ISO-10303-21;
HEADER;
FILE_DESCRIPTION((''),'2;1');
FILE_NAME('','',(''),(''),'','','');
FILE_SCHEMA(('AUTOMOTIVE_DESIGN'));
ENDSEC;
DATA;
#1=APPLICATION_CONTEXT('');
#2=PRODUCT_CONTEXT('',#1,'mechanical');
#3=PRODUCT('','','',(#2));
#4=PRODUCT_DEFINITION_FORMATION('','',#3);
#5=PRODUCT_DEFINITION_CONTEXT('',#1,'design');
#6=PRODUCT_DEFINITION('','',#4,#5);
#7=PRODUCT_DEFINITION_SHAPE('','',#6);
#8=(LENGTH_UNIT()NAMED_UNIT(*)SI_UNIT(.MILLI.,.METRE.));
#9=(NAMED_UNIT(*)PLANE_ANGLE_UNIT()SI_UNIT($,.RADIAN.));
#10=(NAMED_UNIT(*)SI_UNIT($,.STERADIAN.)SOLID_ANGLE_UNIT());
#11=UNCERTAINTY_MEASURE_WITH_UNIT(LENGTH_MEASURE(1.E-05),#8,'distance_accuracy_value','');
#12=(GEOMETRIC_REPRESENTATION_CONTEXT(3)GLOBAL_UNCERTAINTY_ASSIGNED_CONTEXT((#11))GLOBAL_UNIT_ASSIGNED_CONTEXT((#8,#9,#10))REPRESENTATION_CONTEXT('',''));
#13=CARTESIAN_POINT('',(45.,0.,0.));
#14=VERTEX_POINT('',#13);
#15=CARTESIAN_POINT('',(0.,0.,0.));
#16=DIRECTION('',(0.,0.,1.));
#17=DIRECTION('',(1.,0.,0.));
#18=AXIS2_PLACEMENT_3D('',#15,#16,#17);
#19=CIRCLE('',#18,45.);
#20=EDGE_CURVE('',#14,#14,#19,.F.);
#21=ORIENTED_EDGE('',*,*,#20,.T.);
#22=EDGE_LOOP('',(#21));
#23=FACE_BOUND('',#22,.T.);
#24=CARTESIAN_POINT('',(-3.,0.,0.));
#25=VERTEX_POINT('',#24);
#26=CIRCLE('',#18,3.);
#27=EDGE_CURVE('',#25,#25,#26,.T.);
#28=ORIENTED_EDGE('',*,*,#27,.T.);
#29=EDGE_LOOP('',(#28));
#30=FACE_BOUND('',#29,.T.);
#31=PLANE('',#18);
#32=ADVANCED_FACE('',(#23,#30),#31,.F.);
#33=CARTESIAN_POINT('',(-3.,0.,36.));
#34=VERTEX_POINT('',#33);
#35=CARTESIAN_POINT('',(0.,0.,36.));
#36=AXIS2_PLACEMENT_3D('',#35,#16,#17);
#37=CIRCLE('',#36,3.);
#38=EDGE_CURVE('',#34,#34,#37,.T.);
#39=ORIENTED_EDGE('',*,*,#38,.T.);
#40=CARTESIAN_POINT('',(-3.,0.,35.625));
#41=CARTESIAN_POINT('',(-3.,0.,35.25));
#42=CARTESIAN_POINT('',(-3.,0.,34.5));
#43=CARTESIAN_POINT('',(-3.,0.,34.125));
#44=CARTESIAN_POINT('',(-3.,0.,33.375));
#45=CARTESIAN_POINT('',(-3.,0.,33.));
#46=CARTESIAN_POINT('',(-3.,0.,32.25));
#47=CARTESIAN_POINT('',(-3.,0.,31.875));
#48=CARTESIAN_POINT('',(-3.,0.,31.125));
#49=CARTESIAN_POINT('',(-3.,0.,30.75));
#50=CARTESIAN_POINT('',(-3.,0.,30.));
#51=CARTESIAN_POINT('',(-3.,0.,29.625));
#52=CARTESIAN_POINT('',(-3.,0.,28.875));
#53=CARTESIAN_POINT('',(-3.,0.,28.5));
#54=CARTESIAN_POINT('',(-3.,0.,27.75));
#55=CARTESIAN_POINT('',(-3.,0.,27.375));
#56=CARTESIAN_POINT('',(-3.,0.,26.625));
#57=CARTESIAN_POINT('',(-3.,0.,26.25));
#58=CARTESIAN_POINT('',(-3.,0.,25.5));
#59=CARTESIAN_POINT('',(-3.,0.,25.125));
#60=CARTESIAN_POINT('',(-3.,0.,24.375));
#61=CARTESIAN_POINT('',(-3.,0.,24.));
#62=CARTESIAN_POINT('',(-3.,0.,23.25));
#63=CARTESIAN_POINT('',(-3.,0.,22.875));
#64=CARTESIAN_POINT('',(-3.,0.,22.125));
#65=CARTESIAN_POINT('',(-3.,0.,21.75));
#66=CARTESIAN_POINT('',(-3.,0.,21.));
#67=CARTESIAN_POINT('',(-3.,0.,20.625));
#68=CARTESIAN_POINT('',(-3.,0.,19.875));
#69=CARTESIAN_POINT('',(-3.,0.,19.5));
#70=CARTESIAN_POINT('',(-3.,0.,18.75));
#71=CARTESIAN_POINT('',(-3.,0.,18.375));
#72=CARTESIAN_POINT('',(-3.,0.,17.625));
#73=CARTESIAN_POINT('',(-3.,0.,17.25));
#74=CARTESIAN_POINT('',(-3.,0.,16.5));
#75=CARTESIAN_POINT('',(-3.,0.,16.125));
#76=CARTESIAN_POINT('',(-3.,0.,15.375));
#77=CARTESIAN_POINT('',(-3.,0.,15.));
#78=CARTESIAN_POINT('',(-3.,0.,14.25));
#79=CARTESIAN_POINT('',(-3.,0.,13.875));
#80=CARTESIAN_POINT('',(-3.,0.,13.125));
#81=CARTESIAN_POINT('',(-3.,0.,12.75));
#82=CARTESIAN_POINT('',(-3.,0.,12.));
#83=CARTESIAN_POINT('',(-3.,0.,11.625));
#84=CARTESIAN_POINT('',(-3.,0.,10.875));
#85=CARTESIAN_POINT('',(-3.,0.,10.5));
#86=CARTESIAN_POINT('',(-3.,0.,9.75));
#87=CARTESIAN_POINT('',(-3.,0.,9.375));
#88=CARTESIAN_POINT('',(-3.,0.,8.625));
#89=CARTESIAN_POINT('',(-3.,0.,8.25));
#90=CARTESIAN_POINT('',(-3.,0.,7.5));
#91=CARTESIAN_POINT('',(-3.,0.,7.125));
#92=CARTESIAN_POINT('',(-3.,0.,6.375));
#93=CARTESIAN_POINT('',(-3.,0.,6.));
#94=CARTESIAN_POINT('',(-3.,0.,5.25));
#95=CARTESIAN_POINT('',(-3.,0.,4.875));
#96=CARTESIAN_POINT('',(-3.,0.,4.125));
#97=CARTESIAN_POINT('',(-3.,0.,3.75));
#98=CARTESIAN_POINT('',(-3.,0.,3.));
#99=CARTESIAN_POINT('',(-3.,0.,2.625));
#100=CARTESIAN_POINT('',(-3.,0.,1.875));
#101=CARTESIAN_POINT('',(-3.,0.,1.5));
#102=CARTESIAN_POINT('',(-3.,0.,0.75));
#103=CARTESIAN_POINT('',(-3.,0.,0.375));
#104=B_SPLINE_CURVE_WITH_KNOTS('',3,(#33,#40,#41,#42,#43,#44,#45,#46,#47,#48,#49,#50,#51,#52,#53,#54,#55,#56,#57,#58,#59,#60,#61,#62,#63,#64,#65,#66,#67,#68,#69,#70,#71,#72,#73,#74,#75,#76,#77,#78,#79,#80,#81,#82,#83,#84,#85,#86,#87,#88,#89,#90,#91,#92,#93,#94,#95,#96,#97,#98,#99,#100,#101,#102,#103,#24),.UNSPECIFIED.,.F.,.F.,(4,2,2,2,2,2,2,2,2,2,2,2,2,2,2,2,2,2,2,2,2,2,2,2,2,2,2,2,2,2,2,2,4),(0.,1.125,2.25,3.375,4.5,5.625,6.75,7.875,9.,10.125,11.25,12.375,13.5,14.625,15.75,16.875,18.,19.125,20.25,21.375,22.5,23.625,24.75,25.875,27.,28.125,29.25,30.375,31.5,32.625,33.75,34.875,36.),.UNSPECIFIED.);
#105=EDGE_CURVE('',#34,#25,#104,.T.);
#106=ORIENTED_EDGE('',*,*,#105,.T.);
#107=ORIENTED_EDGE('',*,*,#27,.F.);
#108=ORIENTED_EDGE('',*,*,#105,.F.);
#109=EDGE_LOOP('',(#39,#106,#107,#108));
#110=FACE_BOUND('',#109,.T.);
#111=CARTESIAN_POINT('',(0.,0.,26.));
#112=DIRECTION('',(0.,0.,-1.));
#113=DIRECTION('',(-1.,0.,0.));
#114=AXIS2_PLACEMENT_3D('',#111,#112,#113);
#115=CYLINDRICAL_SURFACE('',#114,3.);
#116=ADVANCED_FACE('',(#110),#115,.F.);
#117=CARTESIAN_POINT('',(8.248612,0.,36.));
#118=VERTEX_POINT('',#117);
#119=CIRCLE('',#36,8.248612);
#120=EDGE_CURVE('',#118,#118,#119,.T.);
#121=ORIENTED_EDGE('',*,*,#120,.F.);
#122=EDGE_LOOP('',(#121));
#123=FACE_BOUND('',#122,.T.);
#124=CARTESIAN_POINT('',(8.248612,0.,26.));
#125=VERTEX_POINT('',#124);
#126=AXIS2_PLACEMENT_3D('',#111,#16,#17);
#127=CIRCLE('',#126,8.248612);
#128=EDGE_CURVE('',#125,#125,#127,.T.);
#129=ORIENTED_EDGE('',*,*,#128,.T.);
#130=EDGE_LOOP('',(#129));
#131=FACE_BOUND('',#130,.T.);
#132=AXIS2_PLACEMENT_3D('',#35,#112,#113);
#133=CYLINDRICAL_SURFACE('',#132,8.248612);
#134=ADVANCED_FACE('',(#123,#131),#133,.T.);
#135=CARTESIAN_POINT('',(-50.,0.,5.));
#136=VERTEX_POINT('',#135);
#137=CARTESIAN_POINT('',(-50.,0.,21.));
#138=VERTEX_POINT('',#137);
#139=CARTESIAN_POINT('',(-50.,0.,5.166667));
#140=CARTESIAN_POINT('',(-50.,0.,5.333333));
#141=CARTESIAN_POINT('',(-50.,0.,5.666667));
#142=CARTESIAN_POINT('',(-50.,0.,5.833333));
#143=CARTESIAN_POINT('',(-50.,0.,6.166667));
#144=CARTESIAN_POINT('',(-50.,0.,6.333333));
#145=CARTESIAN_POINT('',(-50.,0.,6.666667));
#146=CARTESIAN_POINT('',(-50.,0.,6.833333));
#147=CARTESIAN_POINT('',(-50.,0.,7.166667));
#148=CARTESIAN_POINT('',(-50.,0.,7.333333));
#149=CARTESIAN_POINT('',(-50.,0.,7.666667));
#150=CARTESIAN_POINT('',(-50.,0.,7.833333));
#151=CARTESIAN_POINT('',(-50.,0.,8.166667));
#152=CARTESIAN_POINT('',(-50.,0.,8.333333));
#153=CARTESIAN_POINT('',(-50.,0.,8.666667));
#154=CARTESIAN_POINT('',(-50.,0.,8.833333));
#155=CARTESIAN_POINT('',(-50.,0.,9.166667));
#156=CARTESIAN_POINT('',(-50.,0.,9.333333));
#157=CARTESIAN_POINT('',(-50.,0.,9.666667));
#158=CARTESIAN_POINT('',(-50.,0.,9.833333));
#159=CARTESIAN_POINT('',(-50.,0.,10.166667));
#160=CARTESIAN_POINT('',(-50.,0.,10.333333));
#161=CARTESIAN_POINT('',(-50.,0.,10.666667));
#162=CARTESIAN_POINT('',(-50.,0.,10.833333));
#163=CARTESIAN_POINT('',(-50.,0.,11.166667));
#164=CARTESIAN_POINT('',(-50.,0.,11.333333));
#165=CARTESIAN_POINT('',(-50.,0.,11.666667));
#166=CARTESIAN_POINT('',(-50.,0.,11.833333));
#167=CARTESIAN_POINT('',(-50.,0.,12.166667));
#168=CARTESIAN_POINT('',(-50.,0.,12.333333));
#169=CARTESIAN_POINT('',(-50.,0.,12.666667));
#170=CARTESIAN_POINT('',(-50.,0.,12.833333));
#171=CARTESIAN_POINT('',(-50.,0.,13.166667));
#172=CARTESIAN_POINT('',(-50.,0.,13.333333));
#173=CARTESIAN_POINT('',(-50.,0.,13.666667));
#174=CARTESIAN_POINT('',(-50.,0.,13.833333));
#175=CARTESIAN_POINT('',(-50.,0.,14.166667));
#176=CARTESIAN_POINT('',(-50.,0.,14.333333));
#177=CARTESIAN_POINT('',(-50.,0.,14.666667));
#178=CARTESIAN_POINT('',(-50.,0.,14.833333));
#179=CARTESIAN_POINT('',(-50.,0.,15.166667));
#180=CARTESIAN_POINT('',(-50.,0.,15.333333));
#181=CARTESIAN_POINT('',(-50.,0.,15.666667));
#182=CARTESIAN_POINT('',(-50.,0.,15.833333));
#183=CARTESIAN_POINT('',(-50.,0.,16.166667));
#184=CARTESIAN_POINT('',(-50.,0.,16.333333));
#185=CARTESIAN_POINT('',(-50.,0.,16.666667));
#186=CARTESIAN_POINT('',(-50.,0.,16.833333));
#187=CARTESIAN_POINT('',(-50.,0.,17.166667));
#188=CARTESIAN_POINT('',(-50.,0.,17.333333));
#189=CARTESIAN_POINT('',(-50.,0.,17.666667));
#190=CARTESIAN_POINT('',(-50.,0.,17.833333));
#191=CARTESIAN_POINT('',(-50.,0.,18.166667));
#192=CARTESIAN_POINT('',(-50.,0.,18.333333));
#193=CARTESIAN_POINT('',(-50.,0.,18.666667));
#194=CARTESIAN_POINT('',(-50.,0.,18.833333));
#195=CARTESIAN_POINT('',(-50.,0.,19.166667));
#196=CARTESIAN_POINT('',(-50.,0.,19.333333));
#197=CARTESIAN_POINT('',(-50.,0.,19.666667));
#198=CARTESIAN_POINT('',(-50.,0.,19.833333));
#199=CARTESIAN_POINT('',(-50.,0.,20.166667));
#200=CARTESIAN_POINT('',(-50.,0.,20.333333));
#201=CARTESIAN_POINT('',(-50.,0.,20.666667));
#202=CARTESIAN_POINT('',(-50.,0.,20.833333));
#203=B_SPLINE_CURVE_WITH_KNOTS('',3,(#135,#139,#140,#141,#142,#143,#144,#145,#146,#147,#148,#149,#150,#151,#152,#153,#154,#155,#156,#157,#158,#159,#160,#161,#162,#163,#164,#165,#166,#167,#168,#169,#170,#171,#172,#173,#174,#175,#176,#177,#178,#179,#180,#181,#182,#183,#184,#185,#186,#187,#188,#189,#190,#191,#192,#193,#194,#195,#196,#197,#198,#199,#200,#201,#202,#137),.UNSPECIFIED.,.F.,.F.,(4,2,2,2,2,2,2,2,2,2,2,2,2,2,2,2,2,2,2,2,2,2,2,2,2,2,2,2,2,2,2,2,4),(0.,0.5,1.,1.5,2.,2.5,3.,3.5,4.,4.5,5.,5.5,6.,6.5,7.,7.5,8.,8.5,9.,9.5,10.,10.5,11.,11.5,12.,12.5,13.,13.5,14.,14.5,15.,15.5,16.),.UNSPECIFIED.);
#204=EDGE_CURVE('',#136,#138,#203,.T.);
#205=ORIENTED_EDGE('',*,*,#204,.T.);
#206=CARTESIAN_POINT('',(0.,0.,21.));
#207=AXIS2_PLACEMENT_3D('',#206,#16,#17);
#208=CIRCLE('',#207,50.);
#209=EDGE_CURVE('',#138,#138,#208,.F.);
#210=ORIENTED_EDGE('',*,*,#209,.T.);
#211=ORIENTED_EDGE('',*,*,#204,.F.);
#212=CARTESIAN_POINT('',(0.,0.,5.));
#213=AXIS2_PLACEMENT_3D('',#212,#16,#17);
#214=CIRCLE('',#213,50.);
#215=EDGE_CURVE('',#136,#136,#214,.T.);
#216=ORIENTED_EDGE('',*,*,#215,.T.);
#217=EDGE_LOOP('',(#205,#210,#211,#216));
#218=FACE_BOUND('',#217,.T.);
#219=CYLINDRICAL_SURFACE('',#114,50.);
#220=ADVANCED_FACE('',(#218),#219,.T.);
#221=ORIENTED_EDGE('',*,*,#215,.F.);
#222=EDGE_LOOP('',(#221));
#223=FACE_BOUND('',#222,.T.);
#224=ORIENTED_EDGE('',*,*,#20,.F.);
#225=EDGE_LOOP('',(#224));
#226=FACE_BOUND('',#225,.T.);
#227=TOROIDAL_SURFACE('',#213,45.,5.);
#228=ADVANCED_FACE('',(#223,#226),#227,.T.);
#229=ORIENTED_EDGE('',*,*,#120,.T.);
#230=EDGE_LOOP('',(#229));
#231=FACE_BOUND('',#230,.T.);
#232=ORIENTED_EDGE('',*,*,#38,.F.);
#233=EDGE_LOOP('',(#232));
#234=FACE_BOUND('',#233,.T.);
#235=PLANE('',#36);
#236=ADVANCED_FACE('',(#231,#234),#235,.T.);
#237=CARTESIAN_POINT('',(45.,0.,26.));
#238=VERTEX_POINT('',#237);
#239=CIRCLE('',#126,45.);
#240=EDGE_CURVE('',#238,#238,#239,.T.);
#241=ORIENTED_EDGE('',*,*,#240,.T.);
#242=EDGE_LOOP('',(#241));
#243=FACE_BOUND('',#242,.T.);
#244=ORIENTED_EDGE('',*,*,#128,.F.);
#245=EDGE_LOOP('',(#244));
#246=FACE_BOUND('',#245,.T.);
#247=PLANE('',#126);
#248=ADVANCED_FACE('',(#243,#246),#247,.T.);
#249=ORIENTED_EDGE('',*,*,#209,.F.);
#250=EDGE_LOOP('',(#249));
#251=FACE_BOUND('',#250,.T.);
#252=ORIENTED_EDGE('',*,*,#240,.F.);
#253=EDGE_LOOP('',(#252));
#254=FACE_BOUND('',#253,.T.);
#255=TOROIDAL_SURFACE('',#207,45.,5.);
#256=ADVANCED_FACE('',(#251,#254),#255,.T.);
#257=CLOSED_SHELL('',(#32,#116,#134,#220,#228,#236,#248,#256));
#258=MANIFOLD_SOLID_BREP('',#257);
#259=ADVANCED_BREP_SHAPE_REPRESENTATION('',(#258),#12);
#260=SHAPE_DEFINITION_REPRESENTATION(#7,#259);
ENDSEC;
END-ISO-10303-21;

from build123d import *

# Parameters (mm, degrees)
SKETCH1_R           = 50
SKETCH1_R_2         = 3
BOSS_EXTRUDE1_DEPTH = 26
FILLET2_R           = 5
SKETCH3_R           = 8.248611849
BOSS_EXTRUDE2_DEPTH = 10
CUT_EXTRUDE1_START  = -26
SKETCH4_R           = 3
CUT_EXTRUDE1_DEPTH  = 26


with BuildPart() as part:
    # Sketch1 → Boss-Extrude1 (new body)
    with BuildSketch(Plane.XY):
        with Locations(Location((0, 0, 0), (0, 0, 180))):
            Circle(SKETCH1_R)
        with Locations(Location((0, 0, 0), (0, 0, 180))):
            Circle(SKETCH1_R_2, mode=Mode.SUBTRACT)
    extrude(amount=BOSS_EXTRUDE1_DEPTH)

    # Fillet2
    fillet2_edges = [part.edges().sort_by_distance(p)[0] for p in [
        (50, 0, 0),
        (50, 0, 26),
    ]]
    fillet(fillet2_edges, radius=FILLET2_R)

    # Sketch3 → Boss-Extrude2 (add)
    with BuildSketch(Plane.XY.offset(26)):
        Circle(SKETCH3_R)
    extrude(amount=BOSS_EXTRUDE2_DEPTH)

    # Sketch4 → Cut-Extrude1 (cut)
    with BuildSketch(Plane.XY.offset(36).offset(CUT_EXTRUDE1_START)):
        with Locations(Location((0, 0, 0), (0, 0, 180))):
            Circle(SKETCH4_R)
    extrude(amount=CUT_EXTRUDE1_DEPTH, mode=Mode.SUBTRACT)


solid = part.part
